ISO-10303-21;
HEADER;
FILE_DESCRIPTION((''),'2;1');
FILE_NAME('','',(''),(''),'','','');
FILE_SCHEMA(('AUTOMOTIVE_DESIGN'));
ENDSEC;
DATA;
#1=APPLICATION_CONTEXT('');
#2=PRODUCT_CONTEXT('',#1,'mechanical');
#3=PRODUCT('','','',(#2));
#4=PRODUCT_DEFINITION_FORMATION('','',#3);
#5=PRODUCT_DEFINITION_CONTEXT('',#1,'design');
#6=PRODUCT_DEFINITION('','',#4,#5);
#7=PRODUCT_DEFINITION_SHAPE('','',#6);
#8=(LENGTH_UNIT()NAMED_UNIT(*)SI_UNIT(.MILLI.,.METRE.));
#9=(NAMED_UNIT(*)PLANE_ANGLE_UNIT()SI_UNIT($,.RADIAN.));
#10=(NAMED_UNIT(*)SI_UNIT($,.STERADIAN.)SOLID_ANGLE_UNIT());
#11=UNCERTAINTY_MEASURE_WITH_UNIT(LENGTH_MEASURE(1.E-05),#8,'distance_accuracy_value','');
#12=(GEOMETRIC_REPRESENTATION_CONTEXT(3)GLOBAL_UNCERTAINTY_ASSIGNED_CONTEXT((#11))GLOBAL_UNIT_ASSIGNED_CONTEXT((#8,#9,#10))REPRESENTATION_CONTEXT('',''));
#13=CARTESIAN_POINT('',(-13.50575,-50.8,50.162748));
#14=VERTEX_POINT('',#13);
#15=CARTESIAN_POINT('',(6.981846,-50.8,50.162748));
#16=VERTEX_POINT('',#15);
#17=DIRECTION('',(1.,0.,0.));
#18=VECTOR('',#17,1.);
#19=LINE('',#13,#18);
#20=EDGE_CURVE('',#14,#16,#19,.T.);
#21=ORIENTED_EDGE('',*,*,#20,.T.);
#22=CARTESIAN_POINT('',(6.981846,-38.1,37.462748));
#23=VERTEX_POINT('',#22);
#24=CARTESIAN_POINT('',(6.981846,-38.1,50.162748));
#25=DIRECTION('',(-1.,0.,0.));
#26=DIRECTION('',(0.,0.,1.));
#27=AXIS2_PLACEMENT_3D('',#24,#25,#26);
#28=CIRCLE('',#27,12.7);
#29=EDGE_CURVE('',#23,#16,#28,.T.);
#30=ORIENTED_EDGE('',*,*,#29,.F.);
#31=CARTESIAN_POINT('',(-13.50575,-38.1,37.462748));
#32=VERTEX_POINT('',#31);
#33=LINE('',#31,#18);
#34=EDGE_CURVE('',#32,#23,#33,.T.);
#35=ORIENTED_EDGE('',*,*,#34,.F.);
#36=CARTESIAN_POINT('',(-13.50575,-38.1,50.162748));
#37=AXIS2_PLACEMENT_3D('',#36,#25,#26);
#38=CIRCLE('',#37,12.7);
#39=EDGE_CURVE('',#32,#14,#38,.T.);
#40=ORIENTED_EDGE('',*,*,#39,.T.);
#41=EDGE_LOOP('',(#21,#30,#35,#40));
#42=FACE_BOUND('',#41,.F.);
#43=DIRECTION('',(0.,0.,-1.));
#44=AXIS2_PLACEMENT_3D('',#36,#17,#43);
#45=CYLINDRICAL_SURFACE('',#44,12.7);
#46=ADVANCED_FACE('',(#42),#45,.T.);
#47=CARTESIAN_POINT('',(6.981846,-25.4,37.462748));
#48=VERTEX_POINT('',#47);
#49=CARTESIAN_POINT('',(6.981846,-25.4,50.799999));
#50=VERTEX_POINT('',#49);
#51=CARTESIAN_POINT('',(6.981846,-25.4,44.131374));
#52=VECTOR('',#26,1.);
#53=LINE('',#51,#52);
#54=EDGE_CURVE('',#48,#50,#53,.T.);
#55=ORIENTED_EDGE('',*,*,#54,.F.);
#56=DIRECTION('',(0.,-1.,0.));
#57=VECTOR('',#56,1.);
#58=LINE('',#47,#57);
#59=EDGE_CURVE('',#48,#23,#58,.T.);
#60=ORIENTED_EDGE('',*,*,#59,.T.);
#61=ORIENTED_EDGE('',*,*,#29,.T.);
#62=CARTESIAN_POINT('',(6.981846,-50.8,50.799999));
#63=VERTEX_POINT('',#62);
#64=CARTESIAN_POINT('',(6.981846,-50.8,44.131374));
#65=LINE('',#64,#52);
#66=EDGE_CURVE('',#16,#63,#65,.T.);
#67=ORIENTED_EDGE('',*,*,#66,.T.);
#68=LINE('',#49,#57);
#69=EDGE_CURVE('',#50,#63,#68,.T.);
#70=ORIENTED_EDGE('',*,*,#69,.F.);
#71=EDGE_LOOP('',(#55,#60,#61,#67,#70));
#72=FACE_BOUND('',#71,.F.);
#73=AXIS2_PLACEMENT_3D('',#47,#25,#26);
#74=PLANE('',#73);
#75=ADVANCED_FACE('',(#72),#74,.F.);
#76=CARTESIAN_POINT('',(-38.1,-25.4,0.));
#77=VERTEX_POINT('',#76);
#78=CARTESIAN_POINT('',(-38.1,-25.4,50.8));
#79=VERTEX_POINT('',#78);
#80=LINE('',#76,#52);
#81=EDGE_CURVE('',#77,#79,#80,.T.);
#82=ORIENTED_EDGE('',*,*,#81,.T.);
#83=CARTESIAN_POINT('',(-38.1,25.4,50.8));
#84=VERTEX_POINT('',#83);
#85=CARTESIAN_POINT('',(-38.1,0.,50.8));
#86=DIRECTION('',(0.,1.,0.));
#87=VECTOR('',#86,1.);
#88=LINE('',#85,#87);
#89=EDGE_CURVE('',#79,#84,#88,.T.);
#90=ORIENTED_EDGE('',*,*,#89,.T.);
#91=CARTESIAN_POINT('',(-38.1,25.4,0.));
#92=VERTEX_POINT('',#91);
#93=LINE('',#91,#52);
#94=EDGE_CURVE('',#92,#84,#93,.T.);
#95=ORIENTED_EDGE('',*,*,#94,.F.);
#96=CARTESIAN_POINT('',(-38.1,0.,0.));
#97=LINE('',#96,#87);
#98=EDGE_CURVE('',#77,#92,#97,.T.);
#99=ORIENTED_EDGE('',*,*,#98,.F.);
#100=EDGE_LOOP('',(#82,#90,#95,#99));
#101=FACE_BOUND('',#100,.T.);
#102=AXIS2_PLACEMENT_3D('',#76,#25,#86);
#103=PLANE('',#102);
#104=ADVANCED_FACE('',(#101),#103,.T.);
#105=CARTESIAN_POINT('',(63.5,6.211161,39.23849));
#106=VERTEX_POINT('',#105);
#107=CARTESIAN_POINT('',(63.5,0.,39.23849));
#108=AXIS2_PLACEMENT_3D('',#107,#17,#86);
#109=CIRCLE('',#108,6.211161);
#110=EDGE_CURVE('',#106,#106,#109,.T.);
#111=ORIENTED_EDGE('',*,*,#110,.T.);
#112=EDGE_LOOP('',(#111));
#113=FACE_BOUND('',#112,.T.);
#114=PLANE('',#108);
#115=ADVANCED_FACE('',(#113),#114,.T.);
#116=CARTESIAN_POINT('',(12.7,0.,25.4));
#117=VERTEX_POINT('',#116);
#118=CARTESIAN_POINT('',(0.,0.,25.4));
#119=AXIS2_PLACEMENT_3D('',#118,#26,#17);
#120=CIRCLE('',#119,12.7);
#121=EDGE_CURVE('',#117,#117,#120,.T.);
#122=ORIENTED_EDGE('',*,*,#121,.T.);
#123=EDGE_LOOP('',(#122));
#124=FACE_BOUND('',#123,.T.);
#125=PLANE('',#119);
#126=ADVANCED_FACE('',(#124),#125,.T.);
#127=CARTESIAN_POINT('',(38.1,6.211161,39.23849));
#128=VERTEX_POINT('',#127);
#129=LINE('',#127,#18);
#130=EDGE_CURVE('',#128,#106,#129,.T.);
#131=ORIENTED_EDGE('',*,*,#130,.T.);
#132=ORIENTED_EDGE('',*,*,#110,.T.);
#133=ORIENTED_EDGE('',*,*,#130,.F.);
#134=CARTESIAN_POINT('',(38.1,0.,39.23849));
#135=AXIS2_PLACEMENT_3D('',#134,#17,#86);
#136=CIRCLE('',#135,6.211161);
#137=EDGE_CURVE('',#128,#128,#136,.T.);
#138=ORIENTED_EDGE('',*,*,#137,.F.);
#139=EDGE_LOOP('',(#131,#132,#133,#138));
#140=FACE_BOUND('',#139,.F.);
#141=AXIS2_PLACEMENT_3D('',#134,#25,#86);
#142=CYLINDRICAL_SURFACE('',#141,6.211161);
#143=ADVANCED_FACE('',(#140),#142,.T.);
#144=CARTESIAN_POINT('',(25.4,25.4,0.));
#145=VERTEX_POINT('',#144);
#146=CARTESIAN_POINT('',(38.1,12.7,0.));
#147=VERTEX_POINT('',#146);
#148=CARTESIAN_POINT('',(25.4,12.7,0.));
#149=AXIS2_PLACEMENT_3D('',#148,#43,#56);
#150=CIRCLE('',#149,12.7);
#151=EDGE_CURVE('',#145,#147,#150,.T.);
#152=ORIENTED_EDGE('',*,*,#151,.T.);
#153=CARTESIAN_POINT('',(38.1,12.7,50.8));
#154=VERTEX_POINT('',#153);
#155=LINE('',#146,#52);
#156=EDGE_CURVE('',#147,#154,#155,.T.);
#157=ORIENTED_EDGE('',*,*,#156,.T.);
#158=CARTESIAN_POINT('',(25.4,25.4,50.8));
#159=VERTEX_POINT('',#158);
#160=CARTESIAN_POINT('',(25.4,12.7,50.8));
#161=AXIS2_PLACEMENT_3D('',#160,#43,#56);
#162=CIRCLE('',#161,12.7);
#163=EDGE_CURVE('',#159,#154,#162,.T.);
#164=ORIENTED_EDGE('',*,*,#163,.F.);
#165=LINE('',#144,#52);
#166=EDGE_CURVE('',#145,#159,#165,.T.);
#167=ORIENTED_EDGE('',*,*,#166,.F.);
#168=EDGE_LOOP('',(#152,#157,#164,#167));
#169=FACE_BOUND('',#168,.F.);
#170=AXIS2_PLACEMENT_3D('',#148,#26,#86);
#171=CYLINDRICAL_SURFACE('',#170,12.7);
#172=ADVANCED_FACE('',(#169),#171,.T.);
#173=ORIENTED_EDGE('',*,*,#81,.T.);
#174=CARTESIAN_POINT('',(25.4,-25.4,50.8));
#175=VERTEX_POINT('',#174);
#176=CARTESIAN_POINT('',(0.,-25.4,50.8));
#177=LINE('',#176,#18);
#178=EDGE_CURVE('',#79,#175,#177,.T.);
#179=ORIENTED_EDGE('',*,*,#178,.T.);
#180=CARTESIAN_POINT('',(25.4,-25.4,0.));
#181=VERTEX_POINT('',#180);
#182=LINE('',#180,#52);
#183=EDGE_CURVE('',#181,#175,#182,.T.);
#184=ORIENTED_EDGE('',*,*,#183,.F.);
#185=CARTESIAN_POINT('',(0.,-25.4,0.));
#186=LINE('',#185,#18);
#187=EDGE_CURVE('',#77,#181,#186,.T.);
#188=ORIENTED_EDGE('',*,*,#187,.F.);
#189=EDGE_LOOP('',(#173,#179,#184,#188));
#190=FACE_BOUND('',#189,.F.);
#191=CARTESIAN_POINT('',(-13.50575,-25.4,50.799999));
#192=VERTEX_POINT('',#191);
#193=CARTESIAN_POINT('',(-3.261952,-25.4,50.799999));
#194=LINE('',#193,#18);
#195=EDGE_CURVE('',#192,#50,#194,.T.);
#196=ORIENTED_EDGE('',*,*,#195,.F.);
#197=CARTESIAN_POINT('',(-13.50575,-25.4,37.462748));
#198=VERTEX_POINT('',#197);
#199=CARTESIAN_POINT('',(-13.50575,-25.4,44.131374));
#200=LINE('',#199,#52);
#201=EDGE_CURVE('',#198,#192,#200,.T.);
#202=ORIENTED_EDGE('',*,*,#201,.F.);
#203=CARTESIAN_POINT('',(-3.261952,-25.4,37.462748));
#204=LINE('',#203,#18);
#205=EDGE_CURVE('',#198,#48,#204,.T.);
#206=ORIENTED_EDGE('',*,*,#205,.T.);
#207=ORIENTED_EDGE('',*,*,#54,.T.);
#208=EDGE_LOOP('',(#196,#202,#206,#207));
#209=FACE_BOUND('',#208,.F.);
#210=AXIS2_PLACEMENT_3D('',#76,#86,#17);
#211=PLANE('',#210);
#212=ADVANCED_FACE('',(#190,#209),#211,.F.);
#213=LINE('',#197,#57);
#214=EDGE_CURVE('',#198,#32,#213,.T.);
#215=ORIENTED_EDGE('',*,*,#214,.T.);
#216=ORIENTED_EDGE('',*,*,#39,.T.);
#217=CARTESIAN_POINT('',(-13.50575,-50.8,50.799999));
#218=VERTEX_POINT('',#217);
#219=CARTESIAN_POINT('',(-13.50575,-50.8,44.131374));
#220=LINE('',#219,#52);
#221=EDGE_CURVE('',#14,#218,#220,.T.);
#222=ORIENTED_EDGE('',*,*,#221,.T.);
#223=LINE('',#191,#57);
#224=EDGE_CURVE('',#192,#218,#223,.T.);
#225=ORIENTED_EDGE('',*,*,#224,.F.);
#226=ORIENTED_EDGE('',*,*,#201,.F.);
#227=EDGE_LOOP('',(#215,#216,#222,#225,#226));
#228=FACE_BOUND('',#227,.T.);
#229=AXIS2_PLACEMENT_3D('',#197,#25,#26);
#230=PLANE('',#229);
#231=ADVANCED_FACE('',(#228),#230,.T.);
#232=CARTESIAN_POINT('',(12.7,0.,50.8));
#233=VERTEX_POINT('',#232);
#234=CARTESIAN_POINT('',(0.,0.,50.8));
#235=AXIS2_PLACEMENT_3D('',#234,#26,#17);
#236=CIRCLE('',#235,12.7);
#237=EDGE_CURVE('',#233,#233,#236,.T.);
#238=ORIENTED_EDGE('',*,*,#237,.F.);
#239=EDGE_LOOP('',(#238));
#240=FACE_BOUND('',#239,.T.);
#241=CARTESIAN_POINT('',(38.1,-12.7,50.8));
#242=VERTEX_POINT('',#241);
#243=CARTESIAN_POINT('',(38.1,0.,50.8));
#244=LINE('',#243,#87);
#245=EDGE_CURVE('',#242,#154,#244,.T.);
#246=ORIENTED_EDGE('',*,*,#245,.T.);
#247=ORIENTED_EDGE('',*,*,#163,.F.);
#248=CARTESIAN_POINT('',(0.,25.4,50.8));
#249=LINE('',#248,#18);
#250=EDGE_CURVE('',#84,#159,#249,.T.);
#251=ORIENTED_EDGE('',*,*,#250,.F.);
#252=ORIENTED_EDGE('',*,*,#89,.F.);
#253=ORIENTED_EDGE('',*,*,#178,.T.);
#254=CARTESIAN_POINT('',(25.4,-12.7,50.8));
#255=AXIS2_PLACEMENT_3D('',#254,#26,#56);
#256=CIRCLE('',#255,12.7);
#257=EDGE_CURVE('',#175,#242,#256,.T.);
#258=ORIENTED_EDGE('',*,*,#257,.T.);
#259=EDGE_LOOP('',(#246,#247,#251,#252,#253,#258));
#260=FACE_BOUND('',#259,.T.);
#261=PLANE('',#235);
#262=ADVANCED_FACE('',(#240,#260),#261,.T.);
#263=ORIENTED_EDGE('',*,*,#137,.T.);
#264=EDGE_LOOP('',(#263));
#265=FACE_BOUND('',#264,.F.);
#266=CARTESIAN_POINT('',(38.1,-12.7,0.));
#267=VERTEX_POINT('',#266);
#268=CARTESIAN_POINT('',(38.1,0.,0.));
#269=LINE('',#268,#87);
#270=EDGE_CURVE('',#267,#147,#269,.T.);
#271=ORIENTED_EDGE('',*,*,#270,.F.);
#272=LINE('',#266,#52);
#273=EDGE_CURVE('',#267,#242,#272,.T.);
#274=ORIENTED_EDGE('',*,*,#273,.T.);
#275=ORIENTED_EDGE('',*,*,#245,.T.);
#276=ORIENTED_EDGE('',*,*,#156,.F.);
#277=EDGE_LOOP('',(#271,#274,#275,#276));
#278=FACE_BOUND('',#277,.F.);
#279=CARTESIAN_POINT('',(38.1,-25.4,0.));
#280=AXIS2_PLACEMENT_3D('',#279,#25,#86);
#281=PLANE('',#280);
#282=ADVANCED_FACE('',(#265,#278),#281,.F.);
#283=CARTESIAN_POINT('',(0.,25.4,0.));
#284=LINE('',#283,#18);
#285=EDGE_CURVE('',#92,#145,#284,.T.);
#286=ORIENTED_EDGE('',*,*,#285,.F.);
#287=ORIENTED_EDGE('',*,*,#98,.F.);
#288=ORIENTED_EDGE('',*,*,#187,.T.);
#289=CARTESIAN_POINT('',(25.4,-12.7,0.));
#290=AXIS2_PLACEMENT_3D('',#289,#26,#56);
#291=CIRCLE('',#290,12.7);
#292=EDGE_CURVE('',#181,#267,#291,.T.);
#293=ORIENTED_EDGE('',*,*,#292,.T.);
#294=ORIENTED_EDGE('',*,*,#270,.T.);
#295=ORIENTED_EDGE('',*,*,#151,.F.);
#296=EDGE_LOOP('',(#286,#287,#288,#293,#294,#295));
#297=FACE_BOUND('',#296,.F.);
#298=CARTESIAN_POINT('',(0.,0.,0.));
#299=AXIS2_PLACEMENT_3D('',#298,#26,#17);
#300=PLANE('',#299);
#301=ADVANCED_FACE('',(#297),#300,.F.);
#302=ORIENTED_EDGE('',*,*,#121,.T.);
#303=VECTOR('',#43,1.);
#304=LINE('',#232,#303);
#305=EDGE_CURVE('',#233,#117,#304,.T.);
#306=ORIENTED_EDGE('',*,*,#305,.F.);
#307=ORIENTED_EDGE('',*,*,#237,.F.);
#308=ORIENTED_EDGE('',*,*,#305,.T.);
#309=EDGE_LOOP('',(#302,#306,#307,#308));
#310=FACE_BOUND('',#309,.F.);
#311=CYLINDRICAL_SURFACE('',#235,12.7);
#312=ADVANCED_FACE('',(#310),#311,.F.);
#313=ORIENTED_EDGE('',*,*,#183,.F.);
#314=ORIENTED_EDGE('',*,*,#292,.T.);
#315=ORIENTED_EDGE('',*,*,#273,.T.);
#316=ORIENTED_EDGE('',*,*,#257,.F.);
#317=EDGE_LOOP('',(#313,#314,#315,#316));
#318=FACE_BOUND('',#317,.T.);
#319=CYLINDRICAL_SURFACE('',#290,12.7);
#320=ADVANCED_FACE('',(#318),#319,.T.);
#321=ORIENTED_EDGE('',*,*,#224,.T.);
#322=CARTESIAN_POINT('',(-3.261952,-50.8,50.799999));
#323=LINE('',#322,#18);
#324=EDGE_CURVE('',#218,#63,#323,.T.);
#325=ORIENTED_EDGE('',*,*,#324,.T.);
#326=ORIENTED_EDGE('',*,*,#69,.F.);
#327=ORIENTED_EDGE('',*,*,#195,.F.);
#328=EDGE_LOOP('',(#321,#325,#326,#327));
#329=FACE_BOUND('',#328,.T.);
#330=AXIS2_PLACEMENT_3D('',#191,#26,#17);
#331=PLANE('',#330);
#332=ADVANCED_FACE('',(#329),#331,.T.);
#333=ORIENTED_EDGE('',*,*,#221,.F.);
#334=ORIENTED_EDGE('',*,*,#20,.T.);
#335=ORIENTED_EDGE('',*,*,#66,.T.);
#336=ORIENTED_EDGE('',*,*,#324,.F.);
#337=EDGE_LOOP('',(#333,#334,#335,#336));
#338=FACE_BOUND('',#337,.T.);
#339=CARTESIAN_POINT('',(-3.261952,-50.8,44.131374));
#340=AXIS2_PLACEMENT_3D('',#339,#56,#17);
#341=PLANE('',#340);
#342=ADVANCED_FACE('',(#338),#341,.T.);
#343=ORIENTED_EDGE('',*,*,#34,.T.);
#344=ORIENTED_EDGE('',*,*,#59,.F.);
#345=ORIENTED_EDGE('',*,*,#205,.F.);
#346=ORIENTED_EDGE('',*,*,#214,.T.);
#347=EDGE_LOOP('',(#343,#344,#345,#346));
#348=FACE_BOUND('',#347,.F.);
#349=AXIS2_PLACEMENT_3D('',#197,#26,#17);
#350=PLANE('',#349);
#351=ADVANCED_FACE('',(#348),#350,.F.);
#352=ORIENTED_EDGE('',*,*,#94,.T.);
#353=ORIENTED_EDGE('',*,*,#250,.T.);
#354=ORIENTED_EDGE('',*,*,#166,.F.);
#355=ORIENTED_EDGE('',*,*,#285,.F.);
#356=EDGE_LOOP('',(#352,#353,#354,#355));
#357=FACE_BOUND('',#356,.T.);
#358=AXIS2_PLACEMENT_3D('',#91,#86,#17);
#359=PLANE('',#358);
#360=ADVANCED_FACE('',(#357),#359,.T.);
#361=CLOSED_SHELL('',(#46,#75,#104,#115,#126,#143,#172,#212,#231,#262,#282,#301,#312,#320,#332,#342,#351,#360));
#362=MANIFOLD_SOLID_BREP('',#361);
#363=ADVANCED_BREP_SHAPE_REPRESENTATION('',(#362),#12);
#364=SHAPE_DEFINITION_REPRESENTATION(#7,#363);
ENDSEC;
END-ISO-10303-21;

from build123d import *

# Parameters (mm, degrees)
F0_W     = 76.2
F0_H     = 50.8
F1_DEPTH = 50.8
F2_R     = 12.7
F3_DEPTH = 25.4
F4_R     = 12.7
F5_W     = 20.487596
F5_H     = 13.337251
F6_DEPTH = 25.4
F7_R     = 12.7
F8_R     = 6.211161
F9_DEPTH = 25.4


with BuildPart() as f1:
    # F0 (on Top) → F1 (new body)
    with BuildSketch(Plane.XY):
        Rectangle(F0_W, F0_H)
    extrude(amount=F1_DEPTH)

    # F2 (on face) → F3 (cut)
    with BuildSketch(Plane.XY.offset(50.8)):
        Circle(F2_R)
    extrude(amount=-F3_DEPTH, mode=Mode.SUBTRACT)

    # F4
    f4_edges = [f1.edges().sort_by_distance(p)[0] for p in [
        (38.1, -25.4, 25.4),
        (38.1, 25.4, 25.4),
    ]]
    fillet(f4_edges, radius=F4_R)

    # F5 (on face) → F6 (join)
    with BuildSketch(Plane.XZ.offset(25.4)):
        with Locations((-3.261952, 44.131374)):
            Rectangle(F5_W, F5_H)
    extrude(amount=F6_DEPTH)

    # F7
    f7_edges = [f1.edges().sort_by_distance(p)[0] for p in [
        (-3.261952, -50.8, 37.462749),
    ]]
    fillet(f7_edges, radius=F7_R)

    # F8 (on face) → F9 (join)
    with BuildSketch(Plane.YZ.offset(38.1)):
        with Locations((0, 39.23849)):
            Circle(F8_R)
    extrude(amount=F9_DEPTH)


solid = f1.part
